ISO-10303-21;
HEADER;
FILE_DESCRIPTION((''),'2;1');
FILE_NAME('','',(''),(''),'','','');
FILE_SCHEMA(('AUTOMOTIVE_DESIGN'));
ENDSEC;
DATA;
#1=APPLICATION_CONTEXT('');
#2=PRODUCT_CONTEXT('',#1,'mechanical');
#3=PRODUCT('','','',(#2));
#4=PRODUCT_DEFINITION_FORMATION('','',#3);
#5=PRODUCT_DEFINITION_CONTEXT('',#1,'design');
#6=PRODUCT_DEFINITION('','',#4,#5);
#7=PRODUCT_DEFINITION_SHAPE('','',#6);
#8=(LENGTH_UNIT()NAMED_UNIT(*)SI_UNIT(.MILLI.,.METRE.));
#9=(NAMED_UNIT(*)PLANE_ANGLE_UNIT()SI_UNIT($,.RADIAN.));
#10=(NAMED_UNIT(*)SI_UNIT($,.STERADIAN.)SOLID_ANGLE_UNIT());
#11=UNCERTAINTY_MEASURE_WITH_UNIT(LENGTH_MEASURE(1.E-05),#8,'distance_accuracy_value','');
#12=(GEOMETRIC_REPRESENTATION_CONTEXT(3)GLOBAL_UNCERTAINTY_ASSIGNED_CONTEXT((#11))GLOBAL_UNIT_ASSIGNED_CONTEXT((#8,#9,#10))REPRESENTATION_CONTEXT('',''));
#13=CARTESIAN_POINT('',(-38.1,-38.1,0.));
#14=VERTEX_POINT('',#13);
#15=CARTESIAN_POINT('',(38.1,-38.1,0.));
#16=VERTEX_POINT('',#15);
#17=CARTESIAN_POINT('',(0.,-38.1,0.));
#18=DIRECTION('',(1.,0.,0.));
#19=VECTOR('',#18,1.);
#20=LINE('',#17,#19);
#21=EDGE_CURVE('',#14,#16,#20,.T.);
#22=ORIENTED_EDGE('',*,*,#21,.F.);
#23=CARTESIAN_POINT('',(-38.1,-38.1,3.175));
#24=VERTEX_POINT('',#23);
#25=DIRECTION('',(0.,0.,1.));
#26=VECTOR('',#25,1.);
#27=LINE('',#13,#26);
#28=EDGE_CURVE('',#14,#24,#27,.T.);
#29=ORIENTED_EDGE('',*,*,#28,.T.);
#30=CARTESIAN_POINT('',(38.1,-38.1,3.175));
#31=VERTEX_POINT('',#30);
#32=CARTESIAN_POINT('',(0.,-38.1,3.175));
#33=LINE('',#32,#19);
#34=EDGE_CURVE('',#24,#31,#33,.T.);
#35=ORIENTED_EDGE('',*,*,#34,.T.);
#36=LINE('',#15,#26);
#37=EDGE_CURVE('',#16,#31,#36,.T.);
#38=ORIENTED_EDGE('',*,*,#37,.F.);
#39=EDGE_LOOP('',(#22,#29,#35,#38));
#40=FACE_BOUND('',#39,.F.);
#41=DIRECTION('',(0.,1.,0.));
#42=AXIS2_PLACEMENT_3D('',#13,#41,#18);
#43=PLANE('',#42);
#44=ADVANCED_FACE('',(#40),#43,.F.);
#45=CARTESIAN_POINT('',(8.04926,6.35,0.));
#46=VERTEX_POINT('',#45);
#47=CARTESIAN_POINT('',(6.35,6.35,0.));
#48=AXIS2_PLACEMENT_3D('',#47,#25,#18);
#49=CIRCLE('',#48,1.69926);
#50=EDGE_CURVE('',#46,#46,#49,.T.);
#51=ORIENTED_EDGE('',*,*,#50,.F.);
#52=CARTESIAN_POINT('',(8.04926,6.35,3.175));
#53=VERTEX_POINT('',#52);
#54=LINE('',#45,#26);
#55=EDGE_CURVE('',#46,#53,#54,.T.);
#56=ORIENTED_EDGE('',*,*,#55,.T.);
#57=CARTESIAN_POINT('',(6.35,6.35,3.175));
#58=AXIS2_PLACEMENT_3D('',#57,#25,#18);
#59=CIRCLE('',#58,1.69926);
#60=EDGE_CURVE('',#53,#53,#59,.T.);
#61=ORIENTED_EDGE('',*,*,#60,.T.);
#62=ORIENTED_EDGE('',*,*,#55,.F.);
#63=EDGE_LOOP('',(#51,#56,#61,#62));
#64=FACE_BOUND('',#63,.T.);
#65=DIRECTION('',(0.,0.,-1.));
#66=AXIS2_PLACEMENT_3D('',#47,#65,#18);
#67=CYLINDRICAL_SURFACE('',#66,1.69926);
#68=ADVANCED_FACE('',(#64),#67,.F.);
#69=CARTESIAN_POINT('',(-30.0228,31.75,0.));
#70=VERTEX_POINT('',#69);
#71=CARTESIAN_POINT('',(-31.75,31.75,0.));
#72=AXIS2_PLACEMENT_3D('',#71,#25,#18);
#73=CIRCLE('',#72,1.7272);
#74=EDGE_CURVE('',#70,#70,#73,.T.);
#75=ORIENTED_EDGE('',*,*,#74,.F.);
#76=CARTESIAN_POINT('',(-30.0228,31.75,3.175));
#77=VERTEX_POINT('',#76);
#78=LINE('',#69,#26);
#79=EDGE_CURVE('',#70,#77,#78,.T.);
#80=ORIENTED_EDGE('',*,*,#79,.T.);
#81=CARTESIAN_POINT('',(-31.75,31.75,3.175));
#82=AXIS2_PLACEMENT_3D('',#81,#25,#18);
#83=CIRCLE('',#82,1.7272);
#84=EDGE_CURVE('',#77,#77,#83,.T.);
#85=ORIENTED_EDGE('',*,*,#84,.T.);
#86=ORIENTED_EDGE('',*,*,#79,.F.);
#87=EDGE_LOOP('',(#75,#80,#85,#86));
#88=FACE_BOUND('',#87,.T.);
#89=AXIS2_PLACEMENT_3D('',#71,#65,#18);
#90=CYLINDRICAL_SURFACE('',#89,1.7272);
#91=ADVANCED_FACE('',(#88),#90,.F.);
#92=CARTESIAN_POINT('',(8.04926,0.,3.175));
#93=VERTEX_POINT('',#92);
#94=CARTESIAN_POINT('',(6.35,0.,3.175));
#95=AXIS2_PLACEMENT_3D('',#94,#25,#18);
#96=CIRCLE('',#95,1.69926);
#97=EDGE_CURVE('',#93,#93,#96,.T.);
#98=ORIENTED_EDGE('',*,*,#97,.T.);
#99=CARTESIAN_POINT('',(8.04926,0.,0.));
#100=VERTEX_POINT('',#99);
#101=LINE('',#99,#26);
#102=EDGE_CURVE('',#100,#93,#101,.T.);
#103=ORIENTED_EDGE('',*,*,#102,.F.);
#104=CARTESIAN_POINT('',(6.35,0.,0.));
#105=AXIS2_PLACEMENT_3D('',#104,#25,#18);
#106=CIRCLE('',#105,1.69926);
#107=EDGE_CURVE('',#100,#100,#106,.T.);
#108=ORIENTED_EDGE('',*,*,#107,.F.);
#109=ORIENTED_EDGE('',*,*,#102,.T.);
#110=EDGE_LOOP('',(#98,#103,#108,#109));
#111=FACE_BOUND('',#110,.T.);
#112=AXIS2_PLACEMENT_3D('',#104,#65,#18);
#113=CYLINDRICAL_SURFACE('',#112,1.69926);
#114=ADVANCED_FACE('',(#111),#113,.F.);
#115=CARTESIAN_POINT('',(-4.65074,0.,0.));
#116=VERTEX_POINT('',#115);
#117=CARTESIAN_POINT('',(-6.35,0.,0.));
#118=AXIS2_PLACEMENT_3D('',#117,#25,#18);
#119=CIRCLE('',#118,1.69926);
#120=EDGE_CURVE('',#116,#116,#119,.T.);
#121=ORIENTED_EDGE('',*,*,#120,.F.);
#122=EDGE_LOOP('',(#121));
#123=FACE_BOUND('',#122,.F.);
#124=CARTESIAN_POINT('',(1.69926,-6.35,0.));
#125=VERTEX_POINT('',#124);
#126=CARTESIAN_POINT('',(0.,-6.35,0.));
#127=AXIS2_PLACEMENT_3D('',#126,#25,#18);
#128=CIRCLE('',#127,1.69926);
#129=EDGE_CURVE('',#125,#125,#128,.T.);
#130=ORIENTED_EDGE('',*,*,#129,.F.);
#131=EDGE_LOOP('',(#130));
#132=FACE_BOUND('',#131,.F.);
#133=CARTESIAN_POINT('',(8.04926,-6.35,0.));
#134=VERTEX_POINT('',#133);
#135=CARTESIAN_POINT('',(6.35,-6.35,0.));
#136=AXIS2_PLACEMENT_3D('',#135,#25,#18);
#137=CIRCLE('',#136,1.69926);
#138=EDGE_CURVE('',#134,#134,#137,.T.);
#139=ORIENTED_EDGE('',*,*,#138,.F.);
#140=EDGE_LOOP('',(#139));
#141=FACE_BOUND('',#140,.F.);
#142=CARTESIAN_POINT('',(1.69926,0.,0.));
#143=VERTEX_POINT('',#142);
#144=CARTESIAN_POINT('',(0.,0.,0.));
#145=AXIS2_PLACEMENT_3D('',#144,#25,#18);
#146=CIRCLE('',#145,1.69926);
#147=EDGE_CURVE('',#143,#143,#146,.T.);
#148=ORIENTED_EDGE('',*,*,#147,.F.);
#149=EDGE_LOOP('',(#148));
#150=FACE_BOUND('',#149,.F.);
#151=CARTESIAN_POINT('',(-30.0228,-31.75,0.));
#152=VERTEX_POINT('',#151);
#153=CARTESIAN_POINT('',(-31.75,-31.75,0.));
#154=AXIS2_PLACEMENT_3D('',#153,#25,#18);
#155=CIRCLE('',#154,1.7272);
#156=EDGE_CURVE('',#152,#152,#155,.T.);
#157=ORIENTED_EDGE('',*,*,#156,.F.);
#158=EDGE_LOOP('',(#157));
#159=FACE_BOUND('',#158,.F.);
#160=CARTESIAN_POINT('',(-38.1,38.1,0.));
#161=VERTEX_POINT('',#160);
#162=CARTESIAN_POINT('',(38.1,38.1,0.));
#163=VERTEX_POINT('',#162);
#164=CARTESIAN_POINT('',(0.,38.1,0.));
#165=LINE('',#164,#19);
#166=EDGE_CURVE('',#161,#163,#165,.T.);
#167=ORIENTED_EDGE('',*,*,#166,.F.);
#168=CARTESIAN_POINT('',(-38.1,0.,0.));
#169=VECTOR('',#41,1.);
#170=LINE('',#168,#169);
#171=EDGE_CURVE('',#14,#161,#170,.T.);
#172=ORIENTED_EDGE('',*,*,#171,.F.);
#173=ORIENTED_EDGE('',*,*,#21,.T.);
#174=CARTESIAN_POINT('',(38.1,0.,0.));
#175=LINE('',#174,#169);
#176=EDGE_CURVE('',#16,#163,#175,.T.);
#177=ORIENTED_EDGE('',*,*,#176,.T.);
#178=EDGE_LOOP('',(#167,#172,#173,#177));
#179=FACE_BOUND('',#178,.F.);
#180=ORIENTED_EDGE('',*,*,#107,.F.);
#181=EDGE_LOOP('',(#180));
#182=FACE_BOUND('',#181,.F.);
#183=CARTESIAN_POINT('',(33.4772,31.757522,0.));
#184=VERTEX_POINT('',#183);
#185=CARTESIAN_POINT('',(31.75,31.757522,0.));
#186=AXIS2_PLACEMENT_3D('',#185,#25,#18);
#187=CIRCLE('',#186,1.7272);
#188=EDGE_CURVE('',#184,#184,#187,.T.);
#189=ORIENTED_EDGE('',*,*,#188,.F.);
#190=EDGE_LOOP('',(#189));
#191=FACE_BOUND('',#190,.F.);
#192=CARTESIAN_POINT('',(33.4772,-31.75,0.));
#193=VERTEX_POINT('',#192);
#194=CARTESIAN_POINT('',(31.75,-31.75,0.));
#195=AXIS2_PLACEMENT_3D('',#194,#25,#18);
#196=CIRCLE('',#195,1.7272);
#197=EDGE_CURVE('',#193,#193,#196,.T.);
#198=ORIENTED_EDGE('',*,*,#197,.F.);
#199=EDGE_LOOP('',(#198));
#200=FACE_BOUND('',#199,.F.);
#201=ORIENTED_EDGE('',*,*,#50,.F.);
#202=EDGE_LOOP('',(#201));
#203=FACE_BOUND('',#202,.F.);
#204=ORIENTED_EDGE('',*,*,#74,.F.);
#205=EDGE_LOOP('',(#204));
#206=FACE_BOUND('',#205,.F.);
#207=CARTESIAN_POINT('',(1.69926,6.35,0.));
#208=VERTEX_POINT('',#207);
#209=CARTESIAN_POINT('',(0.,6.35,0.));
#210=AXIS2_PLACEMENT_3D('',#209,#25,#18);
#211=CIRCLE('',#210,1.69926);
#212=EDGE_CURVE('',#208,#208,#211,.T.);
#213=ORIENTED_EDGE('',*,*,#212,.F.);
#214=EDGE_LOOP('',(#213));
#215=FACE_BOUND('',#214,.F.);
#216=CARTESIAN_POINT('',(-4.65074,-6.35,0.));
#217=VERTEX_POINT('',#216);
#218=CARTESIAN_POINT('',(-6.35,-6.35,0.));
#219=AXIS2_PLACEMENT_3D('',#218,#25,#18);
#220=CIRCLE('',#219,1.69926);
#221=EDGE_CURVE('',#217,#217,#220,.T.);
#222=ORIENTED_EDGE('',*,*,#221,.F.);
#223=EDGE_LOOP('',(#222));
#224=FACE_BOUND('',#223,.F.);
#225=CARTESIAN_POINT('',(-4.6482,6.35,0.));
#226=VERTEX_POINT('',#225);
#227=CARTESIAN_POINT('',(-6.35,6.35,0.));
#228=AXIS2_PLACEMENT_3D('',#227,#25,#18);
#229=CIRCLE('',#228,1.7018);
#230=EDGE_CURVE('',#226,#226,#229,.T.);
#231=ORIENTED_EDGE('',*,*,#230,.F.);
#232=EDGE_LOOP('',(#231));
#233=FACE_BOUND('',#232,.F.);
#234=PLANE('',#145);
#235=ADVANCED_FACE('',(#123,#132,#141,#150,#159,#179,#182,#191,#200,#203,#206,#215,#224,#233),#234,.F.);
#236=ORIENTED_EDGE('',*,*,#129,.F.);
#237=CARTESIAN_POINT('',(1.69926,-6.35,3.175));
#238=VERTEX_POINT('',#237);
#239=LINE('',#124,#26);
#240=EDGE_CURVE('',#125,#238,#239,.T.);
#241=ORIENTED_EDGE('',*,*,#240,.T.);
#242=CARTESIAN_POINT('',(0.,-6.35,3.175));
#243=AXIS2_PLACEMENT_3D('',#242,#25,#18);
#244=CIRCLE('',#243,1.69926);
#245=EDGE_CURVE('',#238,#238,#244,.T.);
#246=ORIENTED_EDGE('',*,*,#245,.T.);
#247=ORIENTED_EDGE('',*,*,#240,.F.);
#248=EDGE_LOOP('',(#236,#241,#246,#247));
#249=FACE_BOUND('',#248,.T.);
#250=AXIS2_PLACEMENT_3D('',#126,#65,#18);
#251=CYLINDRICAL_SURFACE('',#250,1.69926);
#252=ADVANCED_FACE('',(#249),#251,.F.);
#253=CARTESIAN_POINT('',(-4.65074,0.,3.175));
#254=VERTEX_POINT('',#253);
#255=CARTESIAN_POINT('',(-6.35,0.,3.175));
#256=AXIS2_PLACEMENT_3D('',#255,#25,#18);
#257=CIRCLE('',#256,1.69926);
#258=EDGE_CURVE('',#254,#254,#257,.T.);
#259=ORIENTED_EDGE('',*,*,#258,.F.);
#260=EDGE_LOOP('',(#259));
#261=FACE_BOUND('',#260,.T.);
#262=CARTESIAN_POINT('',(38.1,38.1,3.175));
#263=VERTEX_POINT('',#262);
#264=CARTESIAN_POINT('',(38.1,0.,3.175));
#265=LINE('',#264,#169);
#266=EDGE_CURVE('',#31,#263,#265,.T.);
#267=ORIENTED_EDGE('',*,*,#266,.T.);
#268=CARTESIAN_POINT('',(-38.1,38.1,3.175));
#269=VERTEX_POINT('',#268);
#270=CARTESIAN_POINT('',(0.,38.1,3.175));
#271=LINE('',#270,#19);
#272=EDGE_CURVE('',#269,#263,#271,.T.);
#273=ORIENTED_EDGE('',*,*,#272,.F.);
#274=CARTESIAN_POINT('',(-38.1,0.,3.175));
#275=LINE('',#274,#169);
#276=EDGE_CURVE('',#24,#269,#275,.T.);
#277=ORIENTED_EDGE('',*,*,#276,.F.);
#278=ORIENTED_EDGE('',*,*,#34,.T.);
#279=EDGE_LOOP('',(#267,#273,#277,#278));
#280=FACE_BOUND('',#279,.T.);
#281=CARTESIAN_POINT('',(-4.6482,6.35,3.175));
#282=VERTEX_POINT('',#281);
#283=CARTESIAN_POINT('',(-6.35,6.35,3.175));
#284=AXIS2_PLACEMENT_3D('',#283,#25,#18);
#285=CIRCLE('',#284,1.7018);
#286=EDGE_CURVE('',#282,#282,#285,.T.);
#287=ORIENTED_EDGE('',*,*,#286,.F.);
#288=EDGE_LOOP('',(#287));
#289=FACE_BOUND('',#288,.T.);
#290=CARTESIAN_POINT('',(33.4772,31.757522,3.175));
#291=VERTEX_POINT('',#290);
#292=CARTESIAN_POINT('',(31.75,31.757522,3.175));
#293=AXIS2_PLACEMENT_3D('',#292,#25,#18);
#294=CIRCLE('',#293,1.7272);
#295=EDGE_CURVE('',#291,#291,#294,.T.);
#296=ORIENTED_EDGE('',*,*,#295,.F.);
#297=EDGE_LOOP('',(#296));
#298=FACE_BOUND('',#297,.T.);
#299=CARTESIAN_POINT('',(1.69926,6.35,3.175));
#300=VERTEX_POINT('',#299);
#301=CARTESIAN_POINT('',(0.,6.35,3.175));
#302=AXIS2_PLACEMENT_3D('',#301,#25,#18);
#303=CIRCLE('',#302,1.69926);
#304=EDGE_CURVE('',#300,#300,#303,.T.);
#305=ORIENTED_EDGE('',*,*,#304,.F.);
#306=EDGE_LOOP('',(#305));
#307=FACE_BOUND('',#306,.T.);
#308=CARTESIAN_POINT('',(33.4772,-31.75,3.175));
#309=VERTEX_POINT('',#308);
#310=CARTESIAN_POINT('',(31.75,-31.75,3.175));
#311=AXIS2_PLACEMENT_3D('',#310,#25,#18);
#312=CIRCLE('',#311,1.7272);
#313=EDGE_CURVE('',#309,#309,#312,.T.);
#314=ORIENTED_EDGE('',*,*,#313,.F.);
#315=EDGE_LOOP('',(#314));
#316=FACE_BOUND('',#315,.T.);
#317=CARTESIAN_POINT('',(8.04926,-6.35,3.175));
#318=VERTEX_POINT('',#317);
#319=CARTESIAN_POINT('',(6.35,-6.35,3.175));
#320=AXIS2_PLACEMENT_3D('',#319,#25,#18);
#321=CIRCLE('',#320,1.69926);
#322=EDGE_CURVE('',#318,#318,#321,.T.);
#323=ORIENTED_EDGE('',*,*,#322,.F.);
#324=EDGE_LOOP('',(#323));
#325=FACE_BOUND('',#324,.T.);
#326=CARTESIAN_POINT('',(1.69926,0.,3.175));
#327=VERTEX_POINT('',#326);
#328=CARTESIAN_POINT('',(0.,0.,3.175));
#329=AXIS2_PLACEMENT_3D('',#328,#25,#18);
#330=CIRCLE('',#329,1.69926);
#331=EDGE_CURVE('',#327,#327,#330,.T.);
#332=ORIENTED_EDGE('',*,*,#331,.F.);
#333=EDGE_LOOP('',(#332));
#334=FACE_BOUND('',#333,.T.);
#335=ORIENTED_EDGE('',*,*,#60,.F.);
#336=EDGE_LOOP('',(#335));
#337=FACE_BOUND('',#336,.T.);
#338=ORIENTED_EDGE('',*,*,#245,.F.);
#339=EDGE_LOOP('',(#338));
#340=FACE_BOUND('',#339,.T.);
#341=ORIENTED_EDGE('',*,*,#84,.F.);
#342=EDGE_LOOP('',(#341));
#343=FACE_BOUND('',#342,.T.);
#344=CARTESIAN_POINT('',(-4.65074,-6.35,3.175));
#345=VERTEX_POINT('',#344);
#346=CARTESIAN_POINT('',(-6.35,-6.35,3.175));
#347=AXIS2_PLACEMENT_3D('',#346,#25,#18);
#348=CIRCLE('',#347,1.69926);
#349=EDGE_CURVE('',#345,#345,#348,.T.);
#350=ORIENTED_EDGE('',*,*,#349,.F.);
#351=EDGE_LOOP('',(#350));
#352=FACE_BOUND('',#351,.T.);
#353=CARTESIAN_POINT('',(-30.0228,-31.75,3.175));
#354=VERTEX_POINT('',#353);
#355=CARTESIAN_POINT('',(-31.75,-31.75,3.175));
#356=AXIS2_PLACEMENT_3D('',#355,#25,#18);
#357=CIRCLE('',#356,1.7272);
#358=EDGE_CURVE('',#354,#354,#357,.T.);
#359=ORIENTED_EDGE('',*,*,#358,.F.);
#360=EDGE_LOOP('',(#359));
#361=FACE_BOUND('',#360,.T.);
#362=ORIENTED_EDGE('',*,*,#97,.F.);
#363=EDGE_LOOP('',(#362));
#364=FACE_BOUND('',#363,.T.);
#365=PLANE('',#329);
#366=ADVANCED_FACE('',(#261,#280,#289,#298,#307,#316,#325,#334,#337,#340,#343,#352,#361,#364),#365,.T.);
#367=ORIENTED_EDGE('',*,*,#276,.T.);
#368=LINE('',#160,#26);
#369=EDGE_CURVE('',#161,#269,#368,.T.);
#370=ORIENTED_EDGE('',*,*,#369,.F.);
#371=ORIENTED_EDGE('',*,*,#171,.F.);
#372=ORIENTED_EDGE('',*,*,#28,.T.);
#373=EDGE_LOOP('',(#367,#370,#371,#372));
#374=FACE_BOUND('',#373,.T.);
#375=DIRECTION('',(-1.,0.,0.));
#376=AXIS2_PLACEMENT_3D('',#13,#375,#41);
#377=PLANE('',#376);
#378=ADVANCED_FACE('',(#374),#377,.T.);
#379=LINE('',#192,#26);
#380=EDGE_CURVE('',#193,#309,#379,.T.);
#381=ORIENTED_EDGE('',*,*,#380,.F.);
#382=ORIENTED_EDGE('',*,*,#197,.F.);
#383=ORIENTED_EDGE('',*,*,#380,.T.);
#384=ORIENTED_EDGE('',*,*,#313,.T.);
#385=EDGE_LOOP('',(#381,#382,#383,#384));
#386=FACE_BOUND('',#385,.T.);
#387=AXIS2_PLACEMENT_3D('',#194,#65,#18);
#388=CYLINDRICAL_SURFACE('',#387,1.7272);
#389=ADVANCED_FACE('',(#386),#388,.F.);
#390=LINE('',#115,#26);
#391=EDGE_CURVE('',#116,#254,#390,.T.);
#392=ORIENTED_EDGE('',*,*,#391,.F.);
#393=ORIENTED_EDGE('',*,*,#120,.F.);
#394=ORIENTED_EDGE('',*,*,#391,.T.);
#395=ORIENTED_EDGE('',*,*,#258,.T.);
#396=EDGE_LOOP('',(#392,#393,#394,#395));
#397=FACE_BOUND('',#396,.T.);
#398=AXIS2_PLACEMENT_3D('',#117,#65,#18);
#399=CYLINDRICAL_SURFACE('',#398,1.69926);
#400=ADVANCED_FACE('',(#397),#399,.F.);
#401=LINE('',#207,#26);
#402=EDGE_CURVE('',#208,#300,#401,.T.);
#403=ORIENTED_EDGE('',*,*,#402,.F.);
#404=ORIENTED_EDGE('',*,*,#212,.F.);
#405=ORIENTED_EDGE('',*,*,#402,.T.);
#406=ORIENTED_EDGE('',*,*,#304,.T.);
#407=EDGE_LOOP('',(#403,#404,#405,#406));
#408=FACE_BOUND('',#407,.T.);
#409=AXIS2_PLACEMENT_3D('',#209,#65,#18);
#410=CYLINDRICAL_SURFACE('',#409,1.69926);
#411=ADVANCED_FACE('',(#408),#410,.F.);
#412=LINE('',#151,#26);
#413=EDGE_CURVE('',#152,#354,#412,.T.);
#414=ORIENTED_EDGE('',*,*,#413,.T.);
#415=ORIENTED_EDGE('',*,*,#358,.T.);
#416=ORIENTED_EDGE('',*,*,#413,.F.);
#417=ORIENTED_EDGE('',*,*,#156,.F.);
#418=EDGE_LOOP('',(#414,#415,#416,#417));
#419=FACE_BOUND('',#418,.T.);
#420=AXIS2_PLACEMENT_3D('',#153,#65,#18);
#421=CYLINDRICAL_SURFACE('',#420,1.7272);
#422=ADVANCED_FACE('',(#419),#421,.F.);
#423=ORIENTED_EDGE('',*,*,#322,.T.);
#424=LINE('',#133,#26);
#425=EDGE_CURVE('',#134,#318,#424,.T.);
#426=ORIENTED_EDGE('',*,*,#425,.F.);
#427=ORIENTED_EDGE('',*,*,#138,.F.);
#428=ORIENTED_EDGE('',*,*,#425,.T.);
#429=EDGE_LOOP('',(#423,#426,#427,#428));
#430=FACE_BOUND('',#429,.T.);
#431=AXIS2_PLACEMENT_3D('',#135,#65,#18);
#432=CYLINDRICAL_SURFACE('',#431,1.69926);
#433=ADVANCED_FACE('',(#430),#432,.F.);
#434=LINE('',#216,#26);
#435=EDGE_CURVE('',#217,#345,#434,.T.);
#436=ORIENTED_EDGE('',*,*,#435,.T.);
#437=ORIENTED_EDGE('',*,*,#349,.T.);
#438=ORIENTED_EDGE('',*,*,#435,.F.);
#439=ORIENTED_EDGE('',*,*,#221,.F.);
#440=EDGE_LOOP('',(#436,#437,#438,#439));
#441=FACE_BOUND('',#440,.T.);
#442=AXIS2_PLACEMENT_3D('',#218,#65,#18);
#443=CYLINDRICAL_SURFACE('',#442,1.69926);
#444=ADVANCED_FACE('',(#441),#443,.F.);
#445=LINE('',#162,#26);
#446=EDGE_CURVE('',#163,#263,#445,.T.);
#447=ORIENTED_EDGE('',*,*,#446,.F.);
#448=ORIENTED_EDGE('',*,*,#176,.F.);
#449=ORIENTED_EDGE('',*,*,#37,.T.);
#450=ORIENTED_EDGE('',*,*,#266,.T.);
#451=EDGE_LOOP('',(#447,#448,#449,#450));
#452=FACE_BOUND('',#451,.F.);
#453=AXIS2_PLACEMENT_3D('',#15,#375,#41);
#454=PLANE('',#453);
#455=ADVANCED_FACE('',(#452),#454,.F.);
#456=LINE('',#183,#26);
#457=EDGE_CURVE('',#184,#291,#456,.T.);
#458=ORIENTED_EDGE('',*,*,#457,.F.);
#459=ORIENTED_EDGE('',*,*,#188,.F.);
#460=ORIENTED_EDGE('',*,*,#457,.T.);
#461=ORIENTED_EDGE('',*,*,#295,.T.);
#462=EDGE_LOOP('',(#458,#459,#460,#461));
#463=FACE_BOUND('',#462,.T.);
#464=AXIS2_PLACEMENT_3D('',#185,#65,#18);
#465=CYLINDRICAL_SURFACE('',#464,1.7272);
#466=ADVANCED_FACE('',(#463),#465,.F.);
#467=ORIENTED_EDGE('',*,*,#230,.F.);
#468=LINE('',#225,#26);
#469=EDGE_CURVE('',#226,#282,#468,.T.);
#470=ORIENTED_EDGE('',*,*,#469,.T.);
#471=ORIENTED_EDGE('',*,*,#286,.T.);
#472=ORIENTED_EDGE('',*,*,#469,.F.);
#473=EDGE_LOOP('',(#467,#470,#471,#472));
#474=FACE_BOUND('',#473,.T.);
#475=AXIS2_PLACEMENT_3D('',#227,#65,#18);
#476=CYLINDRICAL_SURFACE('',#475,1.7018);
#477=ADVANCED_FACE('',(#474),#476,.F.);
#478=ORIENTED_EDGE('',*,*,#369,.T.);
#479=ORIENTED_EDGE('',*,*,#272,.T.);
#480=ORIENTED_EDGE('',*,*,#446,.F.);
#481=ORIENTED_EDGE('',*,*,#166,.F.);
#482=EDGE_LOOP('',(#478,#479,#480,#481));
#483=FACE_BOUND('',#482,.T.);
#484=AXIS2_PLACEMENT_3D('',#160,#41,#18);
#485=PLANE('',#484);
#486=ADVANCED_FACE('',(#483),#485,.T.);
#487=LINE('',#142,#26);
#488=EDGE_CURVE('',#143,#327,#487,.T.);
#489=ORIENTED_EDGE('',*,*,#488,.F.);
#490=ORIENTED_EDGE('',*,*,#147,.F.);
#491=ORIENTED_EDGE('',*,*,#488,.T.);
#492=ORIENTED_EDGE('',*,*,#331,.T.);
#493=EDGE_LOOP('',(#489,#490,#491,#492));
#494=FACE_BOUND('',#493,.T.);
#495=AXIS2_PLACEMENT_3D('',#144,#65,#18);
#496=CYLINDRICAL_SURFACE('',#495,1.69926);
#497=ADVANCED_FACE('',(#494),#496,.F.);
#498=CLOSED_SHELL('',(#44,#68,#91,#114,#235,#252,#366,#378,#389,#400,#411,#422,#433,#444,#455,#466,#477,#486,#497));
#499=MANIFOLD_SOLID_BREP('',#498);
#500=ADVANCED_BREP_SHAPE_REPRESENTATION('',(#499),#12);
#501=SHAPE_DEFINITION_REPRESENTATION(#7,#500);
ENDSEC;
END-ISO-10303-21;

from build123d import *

# Parameters (mm, degrees)
F0_W     = 76.2
F0_H     = 76.2
F0_R     = 1.7272
F0_R_2   = 1.69926
F0_R_3   = 1.7018
F1_DEPTH = 3.175


with BuildPart() as f1:
    # F0 (on Top) → F1 (new body)
    with BuildSketch(Plane.XY):
        Rectangle(F0_W, F0_H)
        with Locations((-31.75, -31.75)):
            Circle(F0_R, mode=Mode.SUBTRACT)
        with Locations((-6.35, -6.35)):
            Circle(F0_R_2, mode=Mode.SUBTRACT)
        with Locations((31.75, -31.75)):
            Circle(F0_R, mode=Mode.SUBTRACT)
        with Locations((0, -6.35)):
            Circle(F0_R_2, mode=Mode.SUBTRACT)
        with Locations((6.35, -6.35)):
            Circle(F0_R_2, mode=Mode.SUBTRACT)
        with Locations((-6.35, 0)):
            Circle(F0_R_2, mode=Mode.SUBTRACT)
        with Locations((-6.35, 6.35)):
            Circle(F0_R_3, mode=Mode.SUBTRACT)
        with Locations((-31.75, 31.75)):
            Circle(F0_R, mode=Mode.SUBTRACT)
        Circle(F0_R_2, mode=Mode.SUBTRACT)
        with Locations((6.35, 0)):
            Circle(F0_R_2, mode=Mode.SUBTRACT)
        with Locations((0, 6.35)):
            Circle(F0_R_2, mode=Mode.SUBTRACT)
        with Locations((6.35, 6.35)):
            Circle(F0_R_2, mode=Mode.SUBTRACT)
        with Locations((31.75, 31.757522)):
            Circle(F0_R, mode=Mode.SUBTRACT)
    extrude(amount=F1_DEPTH)


solid = f1.part
